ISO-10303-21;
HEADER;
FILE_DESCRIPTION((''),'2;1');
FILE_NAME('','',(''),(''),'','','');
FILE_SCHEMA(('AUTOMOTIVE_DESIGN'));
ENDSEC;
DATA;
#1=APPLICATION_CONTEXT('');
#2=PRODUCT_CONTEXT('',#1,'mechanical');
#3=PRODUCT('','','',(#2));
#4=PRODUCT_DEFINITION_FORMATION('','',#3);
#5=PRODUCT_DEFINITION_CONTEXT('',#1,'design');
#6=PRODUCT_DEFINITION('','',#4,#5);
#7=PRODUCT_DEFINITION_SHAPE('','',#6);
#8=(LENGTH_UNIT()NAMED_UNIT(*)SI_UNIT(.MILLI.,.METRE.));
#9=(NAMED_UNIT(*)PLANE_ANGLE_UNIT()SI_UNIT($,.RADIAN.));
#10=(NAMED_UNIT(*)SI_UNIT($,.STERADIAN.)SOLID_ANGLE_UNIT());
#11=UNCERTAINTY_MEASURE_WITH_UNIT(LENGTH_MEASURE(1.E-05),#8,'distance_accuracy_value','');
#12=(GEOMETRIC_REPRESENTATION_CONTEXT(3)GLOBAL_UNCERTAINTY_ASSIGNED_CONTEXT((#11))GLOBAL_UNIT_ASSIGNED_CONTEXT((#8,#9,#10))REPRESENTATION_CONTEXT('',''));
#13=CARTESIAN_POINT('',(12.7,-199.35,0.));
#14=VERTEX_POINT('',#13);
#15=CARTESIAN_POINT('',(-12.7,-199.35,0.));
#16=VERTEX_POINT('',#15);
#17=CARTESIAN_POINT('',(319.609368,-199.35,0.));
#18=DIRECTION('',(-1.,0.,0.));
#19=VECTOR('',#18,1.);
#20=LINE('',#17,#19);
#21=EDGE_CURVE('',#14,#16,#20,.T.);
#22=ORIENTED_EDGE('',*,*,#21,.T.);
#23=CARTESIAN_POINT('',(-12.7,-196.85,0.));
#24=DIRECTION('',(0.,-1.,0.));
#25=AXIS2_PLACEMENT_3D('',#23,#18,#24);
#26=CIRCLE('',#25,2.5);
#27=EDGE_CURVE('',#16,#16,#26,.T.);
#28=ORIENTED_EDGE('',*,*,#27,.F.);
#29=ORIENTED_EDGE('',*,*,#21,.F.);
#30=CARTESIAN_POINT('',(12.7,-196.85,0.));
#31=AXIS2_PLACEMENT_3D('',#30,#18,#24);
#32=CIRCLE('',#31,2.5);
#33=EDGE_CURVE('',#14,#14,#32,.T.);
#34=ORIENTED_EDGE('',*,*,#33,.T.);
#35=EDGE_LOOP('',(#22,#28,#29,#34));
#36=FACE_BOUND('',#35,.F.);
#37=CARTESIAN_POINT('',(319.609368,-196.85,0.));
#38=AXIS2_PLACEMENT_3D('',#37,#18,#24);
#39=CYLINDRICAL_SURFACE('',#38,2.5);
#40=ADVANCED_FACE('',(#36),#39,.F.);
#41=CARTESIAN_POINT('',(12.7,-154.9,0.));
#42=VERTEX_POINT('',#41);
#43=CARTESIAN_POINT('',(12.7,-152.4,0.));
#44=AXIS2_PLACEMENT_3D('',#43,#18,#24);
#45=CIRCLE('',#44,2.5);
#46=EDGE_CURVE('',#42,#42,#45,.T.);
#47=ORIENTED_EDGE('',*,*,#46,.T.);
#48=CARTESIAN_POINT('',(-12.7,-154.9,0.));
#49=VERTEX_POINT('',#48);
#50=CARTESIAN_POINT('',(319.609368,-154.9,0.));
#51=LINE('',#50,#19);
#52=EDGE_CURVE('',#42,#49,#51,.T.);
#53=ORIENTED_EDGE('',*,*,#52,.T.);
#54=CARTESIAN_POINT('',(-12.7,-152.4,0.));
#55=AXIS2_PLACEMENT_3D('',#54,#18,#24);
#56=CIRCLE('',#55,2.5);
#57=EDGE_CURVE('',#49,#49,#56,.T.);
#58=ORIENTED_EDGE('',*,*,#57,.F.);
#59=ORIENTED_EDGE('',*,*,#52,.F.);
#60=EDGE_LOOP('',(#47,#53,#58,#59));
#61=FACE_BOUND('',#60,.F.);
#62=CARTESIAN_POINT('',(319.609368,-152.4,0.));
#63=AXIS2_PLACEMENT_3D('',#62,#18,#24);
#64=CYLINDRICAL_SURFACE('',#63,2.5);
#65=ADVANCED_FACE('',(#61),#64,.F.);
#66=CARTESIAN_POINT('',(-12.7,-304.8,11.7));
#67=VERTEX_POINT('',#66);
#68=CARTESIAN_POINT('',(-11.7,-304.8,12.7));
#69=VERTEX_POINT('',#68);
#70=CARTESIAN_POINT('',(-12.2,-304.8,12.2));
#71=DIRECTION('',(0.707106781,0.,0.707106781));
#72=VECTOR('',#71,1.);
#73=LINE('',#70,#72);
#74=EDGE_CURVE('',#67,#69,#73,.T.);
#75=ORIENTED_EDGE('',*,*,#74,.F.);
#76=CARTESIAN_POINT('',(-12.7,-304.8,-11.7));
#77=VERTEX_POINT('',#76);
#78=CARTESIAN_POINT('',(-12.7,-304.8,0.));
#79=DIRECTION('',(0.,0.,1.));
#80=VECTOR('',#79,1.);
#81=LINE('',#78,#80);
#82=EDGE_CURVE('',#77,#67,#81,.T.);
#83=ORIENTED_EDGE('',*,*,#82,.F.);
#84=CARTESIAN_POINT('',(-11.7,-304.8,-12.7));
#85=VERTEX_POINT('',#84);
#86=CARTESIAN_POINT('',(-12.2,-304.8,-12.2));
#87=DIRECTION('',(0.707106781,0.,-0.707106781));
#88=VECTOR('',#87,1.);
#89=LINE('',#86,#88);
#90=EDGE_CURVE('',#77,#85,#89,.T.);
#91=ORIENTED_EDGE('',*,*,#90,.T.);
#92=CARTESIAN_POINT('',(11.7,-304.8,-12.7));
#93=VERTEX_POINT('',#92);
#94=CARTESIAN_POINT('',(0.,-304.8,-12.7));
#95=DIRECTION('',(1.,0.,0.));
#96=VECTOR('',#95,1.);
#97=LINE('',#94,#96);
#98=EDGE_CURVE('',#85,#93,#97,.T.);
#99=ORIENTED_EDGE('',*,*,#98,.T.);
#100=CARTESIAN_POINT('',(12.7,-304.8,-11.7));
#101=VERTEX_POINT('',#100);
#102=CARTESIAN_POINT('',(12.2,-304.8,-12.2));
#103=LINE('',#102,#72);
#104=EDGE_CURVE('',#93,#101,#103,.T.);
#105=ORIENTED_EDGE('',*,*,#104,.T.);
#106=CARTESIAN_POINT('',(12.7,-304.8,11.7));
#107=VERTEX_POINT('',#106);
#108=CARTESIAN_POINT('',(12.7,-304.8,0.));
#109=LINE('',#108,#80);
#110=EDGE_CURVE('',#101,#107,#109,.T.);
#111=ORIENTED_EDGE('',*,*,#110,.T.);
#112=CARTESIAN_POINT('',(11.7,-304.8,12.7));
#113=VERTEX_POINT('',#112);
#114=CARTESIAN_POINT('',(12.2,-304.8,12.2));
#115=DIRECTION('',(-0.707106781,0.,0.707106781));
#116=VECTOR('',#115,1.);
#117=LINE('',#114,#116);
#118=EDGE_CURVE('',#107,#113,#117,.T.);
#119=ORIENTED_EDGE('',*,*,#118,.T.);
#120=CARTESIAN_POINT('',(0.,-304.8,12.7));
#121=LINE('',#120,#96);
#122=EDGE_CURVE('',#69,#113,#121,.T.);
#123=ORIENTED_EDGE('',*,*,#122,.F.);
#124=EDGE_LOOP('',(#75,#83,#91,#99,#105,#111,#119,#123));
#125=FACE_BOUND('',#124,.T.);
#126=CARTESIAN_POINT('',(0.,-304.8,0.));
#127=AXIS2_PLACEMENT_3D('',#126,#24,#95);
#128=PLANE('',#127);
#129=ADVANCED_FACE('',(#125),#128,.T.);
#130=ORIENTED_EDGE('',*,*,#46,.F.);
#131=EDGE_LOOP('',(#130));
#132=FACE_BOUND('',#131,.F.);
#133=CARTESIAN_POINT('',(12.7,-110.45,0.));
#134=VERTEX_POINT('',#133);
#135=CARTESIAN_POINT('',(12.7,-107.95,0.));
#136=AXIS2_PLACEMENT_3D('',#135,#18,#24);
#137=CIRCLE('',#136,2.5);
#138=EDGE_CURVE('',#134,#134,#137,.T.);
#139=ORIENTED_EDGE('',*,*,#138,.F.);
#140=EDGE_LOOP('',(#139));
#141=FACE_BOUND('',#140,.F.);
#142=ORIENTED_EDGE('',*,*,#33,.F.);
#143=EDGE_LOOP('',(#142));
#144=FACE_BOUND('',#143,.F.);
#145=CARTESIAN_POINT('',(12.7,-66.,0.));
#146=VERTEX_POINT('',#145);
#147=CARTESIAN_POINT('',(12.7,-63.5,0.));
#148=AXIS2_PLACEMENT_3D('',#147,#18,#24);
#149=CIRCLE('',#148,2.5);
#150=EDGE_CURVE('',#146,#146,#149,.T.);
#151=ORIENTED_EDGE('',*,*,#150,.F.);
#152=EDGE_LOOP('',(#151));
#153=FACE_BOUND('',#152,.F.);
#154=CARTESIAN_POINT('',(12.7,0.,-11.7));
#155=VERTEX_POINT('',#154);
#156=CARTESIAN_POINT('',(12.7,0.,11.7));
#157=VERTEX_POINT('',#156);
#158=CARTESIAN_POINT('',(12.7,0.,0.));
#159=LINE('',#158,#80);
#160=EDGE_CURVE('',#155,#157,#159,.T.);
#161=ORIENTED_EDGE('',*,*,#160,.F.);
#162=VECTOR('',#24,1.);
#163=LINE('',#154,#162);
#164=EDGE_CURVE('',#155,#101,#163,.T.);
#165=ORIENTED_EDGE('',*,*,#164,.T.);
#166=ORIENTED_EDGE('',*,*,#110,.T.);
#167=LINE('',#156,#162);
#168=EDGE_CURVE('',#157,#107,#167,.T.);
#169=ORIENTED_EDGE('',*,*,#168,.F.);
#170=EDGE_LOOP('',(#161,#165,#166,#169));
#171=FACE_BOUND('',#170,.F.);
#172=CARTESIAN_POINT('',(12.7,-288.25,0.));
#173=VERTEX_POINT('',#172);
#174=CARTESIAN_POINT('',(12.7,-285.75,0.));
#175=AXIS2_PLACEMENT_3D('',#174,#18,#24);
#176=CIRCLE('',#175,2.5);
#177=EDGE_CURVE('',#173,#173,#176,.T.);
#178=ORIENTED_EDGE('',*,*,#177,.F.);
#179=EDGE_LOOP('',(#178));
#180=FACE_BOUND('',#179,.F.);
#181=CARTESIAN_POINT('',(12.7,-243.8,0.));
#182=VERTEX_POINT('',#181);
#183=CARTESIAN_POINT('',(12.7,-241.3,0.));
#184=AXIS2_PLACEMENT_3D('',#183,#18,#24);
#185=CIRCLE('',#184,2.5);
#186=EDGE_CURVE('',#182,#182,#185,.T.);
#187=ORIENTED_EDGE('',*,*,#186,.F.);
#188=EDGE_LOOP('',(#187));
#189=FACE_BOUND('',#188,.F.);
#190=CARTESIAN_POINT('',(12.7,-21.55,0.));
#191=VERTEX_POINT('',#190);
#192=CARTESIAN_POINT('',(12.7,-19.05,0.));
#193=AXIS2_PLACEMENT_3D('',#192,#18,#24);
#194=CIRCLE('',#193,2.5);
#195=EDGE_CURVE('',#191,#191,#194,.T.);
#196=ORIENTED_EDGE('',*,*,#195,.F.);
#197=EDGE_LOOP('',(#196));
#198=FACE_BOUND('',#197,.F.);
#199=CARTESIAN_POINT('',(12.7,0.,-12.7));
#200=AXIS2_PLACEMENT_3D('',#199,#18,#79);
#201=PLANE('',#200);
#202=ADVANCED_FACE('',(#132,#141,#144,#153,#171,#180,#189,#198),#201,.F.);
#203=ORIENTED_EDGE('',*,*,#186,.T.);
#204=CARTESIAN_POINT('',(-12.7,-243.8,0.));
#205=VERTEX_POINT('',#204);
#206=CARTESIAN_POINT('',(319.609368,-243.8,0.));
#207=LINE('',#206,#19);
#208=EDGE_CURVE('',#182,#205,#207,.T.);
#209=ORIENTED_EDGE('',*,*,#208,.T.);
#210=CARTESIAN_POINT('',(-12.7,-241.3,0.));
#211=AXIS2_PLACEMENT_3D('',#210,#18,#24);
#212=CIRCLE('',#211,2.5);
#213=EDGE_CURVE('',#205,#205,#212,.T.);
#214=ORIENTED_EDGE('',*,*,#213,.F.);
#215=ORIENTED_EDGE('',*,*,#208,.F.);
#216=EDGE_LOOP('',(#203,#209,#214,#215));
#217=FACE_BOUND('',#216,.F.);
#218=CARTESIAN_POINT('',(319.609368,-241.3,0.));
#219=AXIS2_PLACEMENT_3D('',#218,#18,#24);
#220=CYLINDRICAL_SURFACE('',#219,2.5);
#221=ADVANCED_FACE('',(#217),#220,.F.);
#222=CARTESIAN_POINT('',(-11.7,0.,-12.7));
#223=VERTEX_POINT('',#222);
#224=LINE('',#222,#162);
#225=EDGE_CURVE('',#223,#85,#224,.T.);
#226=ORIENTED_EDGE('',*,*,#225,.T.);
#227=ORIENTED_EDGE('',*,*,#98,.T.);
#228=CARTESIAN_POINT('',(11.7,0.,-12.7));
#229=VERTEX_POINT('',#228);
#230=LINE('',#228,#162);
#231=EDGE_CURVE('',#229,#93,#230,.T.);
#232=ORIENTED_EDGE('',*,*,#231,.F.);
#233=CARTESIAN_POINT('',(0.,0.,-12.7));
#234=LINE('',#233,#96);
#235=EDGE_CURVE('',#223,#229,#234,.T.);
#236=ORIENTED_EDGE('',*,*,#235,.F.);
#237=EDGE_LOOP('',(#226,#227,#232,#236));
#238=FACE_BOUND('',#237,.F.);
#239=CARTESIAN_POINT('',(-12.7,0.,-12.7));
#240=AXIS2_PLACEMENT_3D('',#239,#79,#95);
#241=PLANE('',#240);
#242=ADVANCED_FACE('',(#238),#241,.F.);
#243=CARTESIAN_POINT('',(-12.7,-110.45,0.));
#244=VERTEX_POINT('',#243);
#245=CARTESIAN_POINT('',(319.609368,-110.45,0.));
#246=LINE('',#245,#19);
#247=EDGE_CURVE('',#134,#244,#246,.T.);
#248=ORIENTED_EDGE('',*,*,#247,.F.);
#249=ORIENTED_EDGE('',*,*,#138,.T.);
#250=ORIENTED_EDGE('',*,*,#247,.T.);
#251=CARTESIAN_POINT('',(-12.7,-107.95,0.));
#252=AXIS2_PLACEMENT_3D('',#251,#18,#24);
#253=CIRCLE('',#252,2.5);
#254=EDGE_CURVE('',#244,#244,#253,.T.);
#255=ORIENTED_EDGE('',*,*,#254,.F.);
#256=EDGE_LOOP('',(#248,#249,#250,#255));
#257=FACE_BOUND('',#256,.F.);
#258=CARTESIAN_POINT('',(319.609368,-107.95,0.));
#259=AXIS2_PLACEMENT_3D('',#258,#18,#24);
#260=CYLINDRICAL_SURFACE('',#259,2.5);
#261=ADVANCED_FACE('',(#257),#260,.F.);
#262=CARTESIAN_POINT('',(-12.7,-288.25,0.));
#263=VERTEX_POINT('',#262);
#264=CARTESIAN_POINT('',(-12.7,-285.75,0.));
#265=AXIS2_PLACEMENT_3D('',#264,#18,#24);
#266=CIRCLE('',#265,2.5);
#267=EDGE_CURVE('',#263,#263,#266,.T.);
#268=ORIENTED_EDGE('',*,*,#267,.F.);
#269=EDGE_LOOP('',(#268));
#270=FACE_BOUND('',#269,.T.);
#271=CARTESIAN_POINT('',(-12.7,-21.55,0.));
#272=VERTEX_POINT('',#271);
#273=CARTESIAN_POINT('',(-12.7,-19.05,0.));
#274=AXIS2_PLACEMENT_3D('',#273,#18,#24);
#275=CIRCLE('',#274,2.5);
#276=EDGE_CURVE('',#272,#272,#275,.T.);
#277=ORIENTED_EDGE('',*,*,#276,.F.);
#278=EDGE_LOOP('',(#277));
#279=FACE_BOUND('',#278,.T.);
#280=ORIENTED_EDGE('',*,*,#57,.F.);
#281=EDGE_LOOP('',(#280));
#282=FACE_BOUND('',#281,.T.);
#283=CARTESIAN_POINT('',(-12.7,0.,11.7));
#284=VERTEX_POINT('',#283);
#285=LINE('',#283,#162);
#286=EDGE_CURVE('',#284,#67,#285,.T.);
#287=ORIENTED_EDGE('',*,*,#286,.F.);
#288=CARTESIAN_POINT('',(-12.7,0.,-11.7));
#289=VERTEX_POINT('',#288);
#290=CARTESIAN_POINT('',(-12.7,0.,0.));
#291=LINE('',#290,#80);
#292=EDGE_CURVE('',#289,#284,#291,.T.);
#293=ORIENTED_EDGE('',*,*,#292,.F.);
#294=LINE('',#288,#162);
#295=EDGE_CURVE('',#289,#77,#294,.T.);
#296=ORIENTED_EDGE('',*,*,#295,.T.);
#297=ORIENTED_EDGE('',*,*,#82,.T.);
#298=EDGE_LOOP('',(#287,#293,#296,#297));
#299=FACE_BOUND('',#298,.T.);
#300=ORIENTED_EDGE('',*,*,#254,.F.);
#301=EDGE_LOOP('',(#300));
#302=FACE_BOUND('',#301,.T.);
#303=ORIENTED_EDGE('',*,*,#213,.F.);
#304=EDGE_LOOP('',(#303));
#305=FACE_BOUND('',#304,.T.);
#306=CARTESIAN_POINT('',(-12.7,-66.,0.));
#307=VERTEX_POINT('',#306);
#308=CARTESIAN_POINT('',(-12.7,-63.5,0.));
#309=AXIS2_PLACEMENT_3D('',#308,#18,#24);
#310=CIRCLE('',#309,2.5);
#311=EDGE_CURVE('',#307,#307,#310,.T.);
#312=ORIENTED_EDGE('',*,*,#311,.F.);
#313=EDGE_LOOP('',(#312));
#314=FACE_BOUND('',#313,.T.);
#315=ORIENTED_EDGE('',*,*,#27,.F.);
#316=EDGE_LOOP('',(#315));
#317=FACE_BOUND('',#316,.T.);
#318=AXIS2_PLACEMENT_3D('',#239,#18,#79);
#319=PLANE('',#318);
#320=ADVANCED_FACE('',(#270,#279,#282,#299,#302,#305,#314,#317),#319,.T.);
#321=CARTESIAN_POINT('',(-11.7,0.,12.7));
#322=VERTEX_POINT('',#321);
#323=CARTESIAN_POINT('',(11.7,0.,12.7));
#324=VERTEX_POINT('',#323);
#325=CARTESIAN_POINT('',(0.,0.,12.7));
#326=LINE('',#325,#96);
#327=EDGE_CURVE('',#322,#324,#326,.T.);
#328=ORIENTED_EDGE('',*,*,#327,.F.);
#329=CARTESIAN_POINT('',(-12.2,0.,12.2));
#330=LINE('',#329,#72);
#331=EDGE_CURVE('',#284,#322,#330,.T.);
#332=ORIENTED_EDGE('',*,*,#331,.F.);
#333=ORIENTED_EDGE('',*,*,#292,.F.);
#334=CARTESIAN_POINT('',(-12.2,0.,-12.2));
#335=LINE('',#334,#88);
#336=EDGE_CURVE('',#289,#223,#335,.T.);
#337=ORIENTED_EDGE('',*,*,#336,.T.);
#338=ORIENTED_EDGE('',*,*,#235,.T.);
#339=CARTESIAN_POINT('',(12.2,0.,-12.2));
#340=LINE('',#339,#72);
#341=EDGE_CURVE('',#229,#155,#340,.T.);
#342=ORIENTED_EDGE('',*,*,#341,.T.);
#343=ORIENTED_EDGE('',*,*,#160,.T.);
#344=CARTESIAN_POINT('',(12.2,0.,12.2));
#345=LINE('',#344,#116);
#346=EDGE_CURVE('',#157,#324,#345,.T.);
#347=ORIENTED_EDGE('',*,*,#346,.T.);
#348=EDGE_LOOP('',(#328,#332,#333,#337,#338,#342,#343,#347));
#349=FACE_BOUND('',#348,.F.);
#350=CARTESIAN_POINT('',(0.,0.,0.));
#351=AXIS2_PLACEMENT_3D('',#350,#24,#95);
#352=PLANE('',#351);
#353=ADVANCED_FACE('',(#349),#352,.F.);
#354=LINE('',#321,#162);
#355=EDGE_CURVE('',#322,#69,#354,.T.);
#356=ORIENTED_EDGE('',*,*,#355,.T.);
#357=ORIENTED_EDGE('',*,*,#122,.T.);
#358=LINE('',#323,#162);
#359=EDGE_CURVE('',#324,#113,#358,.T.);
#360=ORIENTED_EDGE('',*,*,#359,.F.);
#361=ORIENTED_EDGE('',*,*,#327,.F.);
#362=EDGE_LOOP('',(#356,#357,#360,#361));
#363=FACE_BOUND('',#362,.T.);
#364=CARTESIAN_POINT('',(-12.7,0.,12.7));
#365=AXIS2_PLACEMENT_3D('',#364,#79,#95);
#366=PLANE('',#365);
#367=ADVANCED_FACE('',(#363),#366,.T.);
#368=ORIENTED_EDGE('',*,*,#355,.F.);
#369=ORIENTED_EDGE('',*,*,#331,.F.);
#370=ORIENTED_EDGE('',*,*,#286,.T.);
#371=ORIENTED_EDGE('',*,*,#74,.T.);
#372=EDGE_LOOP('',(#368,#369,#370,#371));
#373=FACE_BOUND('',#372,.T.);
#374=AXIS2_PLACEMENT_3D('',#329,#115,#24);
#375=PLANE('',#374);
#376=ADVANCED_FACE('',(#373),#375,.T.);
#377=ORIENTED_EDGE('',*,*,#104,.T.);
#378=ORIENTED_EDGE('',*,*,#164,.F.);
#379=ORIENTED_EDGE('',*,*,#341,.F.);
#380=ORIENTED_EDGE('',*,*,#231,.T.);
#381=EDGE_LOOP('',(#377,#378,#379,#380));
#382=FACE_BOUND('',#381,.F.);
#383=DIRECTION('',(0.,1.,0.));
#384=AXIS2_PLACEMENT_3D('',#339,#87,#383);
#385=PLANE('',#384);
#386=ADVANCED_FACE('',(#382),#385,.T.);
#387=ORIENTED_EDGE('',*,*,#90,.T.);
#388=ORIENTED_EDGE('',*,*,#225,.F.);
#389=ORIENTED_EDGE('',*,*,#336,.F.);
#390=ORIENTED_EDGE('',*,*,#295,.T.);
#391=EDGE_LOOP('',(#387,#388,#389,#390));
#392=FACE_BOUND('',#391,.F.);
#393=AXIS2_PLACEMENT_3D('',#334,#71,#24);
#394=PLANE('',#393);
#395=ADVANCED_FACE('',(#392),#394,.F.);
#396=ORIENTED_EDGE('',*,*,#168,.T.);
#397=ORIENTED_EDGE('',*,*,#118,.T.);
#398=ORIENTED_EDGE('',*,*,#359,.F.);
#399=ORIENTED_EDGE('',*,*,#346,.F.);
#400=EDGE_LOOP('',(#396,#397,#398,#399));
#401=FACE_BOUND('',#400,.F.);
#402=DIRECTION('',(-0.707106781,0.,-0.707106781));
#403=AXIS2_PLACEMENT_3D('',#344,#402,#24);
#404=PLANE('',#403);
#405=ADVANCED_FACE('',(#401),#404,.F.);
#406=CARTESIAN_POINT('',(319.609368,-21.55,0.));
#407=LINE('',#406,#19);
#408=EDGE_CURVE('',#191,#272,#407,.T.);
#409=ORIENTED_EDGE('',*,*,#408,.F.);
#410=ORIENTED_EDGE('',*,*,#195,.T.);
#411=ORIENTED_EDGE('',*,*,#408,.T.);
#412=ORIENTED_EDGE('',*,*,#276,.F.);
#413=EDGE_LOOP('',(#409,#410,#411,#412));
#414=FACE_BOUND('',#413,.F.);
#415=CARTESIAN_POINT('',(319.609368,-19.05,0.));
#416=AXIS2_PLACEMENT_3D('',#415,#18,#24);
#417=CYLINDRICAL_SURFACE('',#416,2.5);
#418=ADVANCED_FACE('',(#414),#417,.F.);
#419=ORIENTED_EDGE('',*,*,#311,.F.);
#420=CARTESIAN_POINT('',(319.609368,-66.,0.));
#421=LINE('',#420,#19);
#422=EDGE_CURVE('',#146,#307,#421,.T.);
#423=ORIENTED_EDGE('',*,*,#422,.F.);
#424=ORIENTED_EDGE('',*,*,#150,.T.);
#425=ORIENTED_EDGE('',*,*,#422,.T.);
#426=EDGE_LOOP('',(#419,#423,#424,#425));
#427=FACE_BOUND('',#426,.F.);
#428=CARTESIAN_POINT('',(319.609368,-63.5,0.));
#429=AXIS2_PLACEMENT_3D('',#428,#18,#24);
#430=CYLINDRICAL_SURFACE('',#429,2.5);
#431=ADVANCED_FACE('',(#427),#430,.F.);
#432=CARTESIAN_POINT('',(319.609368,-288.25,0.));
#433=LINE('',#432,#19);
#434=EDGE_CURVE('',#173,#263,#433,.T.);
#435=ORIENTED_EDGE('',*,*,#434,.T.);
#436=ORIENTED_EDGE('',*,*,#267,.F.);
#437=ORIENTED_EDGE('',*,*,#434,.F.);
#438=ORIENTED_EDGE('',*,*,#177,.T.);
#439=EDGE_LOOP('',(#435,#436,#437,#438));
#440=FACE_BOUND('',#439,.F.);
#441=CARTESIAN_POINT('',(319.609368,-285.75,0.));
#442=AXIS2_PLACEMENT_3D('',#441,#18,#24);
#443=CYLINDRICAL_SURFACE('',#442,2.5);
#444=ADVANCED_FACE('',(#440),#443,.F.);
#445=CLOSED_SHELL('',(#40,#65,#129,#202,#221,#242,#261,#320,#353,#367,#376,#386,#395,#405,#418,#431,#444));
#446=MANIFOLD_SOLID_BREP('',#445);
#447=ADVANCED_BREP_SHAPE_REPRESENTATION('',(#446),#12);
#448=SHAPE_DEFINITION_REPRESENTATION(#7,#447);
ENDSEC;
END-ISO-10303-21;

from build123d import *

# Parameters (mm, degrees)
F0_W     = 25.4
F0_H     = 25.4
F1_DEPTH = 304.8
F2_SIZE  = 1
F4_D     = 5


with BuildPart() as f1:
    # F0 (on Front) → F1 (new body)
    with BuildSketch(Plane.XZ):
        Rectangle(F0_W, F0_H)
    extrude(amount=F1_DEPTH)

    # F2
    f2_edges = [f1.edges().sort_by_distance(p)[0] for p in [
        (12.7, -152.4, 12.7),
        (12.7, -152.4, -12.7),
        (-12.7, -152.4, 12.7),
        (-12.7, -152.4, -12.7),
    ]]
    chamfer(f2_edges, length=F2_SIZE)

    # F4 (through all)
    with Locations(Plane.YZ.offset(12.7)):
        with Locations((-285.75, 0), (-241.3, 0), (-196.85, 0), (-152.4, 0), (-107.95, 0), (-63.5, 0), (-19.05, 0)):
            Hole(F4_D / 2)


solid = f1.part
